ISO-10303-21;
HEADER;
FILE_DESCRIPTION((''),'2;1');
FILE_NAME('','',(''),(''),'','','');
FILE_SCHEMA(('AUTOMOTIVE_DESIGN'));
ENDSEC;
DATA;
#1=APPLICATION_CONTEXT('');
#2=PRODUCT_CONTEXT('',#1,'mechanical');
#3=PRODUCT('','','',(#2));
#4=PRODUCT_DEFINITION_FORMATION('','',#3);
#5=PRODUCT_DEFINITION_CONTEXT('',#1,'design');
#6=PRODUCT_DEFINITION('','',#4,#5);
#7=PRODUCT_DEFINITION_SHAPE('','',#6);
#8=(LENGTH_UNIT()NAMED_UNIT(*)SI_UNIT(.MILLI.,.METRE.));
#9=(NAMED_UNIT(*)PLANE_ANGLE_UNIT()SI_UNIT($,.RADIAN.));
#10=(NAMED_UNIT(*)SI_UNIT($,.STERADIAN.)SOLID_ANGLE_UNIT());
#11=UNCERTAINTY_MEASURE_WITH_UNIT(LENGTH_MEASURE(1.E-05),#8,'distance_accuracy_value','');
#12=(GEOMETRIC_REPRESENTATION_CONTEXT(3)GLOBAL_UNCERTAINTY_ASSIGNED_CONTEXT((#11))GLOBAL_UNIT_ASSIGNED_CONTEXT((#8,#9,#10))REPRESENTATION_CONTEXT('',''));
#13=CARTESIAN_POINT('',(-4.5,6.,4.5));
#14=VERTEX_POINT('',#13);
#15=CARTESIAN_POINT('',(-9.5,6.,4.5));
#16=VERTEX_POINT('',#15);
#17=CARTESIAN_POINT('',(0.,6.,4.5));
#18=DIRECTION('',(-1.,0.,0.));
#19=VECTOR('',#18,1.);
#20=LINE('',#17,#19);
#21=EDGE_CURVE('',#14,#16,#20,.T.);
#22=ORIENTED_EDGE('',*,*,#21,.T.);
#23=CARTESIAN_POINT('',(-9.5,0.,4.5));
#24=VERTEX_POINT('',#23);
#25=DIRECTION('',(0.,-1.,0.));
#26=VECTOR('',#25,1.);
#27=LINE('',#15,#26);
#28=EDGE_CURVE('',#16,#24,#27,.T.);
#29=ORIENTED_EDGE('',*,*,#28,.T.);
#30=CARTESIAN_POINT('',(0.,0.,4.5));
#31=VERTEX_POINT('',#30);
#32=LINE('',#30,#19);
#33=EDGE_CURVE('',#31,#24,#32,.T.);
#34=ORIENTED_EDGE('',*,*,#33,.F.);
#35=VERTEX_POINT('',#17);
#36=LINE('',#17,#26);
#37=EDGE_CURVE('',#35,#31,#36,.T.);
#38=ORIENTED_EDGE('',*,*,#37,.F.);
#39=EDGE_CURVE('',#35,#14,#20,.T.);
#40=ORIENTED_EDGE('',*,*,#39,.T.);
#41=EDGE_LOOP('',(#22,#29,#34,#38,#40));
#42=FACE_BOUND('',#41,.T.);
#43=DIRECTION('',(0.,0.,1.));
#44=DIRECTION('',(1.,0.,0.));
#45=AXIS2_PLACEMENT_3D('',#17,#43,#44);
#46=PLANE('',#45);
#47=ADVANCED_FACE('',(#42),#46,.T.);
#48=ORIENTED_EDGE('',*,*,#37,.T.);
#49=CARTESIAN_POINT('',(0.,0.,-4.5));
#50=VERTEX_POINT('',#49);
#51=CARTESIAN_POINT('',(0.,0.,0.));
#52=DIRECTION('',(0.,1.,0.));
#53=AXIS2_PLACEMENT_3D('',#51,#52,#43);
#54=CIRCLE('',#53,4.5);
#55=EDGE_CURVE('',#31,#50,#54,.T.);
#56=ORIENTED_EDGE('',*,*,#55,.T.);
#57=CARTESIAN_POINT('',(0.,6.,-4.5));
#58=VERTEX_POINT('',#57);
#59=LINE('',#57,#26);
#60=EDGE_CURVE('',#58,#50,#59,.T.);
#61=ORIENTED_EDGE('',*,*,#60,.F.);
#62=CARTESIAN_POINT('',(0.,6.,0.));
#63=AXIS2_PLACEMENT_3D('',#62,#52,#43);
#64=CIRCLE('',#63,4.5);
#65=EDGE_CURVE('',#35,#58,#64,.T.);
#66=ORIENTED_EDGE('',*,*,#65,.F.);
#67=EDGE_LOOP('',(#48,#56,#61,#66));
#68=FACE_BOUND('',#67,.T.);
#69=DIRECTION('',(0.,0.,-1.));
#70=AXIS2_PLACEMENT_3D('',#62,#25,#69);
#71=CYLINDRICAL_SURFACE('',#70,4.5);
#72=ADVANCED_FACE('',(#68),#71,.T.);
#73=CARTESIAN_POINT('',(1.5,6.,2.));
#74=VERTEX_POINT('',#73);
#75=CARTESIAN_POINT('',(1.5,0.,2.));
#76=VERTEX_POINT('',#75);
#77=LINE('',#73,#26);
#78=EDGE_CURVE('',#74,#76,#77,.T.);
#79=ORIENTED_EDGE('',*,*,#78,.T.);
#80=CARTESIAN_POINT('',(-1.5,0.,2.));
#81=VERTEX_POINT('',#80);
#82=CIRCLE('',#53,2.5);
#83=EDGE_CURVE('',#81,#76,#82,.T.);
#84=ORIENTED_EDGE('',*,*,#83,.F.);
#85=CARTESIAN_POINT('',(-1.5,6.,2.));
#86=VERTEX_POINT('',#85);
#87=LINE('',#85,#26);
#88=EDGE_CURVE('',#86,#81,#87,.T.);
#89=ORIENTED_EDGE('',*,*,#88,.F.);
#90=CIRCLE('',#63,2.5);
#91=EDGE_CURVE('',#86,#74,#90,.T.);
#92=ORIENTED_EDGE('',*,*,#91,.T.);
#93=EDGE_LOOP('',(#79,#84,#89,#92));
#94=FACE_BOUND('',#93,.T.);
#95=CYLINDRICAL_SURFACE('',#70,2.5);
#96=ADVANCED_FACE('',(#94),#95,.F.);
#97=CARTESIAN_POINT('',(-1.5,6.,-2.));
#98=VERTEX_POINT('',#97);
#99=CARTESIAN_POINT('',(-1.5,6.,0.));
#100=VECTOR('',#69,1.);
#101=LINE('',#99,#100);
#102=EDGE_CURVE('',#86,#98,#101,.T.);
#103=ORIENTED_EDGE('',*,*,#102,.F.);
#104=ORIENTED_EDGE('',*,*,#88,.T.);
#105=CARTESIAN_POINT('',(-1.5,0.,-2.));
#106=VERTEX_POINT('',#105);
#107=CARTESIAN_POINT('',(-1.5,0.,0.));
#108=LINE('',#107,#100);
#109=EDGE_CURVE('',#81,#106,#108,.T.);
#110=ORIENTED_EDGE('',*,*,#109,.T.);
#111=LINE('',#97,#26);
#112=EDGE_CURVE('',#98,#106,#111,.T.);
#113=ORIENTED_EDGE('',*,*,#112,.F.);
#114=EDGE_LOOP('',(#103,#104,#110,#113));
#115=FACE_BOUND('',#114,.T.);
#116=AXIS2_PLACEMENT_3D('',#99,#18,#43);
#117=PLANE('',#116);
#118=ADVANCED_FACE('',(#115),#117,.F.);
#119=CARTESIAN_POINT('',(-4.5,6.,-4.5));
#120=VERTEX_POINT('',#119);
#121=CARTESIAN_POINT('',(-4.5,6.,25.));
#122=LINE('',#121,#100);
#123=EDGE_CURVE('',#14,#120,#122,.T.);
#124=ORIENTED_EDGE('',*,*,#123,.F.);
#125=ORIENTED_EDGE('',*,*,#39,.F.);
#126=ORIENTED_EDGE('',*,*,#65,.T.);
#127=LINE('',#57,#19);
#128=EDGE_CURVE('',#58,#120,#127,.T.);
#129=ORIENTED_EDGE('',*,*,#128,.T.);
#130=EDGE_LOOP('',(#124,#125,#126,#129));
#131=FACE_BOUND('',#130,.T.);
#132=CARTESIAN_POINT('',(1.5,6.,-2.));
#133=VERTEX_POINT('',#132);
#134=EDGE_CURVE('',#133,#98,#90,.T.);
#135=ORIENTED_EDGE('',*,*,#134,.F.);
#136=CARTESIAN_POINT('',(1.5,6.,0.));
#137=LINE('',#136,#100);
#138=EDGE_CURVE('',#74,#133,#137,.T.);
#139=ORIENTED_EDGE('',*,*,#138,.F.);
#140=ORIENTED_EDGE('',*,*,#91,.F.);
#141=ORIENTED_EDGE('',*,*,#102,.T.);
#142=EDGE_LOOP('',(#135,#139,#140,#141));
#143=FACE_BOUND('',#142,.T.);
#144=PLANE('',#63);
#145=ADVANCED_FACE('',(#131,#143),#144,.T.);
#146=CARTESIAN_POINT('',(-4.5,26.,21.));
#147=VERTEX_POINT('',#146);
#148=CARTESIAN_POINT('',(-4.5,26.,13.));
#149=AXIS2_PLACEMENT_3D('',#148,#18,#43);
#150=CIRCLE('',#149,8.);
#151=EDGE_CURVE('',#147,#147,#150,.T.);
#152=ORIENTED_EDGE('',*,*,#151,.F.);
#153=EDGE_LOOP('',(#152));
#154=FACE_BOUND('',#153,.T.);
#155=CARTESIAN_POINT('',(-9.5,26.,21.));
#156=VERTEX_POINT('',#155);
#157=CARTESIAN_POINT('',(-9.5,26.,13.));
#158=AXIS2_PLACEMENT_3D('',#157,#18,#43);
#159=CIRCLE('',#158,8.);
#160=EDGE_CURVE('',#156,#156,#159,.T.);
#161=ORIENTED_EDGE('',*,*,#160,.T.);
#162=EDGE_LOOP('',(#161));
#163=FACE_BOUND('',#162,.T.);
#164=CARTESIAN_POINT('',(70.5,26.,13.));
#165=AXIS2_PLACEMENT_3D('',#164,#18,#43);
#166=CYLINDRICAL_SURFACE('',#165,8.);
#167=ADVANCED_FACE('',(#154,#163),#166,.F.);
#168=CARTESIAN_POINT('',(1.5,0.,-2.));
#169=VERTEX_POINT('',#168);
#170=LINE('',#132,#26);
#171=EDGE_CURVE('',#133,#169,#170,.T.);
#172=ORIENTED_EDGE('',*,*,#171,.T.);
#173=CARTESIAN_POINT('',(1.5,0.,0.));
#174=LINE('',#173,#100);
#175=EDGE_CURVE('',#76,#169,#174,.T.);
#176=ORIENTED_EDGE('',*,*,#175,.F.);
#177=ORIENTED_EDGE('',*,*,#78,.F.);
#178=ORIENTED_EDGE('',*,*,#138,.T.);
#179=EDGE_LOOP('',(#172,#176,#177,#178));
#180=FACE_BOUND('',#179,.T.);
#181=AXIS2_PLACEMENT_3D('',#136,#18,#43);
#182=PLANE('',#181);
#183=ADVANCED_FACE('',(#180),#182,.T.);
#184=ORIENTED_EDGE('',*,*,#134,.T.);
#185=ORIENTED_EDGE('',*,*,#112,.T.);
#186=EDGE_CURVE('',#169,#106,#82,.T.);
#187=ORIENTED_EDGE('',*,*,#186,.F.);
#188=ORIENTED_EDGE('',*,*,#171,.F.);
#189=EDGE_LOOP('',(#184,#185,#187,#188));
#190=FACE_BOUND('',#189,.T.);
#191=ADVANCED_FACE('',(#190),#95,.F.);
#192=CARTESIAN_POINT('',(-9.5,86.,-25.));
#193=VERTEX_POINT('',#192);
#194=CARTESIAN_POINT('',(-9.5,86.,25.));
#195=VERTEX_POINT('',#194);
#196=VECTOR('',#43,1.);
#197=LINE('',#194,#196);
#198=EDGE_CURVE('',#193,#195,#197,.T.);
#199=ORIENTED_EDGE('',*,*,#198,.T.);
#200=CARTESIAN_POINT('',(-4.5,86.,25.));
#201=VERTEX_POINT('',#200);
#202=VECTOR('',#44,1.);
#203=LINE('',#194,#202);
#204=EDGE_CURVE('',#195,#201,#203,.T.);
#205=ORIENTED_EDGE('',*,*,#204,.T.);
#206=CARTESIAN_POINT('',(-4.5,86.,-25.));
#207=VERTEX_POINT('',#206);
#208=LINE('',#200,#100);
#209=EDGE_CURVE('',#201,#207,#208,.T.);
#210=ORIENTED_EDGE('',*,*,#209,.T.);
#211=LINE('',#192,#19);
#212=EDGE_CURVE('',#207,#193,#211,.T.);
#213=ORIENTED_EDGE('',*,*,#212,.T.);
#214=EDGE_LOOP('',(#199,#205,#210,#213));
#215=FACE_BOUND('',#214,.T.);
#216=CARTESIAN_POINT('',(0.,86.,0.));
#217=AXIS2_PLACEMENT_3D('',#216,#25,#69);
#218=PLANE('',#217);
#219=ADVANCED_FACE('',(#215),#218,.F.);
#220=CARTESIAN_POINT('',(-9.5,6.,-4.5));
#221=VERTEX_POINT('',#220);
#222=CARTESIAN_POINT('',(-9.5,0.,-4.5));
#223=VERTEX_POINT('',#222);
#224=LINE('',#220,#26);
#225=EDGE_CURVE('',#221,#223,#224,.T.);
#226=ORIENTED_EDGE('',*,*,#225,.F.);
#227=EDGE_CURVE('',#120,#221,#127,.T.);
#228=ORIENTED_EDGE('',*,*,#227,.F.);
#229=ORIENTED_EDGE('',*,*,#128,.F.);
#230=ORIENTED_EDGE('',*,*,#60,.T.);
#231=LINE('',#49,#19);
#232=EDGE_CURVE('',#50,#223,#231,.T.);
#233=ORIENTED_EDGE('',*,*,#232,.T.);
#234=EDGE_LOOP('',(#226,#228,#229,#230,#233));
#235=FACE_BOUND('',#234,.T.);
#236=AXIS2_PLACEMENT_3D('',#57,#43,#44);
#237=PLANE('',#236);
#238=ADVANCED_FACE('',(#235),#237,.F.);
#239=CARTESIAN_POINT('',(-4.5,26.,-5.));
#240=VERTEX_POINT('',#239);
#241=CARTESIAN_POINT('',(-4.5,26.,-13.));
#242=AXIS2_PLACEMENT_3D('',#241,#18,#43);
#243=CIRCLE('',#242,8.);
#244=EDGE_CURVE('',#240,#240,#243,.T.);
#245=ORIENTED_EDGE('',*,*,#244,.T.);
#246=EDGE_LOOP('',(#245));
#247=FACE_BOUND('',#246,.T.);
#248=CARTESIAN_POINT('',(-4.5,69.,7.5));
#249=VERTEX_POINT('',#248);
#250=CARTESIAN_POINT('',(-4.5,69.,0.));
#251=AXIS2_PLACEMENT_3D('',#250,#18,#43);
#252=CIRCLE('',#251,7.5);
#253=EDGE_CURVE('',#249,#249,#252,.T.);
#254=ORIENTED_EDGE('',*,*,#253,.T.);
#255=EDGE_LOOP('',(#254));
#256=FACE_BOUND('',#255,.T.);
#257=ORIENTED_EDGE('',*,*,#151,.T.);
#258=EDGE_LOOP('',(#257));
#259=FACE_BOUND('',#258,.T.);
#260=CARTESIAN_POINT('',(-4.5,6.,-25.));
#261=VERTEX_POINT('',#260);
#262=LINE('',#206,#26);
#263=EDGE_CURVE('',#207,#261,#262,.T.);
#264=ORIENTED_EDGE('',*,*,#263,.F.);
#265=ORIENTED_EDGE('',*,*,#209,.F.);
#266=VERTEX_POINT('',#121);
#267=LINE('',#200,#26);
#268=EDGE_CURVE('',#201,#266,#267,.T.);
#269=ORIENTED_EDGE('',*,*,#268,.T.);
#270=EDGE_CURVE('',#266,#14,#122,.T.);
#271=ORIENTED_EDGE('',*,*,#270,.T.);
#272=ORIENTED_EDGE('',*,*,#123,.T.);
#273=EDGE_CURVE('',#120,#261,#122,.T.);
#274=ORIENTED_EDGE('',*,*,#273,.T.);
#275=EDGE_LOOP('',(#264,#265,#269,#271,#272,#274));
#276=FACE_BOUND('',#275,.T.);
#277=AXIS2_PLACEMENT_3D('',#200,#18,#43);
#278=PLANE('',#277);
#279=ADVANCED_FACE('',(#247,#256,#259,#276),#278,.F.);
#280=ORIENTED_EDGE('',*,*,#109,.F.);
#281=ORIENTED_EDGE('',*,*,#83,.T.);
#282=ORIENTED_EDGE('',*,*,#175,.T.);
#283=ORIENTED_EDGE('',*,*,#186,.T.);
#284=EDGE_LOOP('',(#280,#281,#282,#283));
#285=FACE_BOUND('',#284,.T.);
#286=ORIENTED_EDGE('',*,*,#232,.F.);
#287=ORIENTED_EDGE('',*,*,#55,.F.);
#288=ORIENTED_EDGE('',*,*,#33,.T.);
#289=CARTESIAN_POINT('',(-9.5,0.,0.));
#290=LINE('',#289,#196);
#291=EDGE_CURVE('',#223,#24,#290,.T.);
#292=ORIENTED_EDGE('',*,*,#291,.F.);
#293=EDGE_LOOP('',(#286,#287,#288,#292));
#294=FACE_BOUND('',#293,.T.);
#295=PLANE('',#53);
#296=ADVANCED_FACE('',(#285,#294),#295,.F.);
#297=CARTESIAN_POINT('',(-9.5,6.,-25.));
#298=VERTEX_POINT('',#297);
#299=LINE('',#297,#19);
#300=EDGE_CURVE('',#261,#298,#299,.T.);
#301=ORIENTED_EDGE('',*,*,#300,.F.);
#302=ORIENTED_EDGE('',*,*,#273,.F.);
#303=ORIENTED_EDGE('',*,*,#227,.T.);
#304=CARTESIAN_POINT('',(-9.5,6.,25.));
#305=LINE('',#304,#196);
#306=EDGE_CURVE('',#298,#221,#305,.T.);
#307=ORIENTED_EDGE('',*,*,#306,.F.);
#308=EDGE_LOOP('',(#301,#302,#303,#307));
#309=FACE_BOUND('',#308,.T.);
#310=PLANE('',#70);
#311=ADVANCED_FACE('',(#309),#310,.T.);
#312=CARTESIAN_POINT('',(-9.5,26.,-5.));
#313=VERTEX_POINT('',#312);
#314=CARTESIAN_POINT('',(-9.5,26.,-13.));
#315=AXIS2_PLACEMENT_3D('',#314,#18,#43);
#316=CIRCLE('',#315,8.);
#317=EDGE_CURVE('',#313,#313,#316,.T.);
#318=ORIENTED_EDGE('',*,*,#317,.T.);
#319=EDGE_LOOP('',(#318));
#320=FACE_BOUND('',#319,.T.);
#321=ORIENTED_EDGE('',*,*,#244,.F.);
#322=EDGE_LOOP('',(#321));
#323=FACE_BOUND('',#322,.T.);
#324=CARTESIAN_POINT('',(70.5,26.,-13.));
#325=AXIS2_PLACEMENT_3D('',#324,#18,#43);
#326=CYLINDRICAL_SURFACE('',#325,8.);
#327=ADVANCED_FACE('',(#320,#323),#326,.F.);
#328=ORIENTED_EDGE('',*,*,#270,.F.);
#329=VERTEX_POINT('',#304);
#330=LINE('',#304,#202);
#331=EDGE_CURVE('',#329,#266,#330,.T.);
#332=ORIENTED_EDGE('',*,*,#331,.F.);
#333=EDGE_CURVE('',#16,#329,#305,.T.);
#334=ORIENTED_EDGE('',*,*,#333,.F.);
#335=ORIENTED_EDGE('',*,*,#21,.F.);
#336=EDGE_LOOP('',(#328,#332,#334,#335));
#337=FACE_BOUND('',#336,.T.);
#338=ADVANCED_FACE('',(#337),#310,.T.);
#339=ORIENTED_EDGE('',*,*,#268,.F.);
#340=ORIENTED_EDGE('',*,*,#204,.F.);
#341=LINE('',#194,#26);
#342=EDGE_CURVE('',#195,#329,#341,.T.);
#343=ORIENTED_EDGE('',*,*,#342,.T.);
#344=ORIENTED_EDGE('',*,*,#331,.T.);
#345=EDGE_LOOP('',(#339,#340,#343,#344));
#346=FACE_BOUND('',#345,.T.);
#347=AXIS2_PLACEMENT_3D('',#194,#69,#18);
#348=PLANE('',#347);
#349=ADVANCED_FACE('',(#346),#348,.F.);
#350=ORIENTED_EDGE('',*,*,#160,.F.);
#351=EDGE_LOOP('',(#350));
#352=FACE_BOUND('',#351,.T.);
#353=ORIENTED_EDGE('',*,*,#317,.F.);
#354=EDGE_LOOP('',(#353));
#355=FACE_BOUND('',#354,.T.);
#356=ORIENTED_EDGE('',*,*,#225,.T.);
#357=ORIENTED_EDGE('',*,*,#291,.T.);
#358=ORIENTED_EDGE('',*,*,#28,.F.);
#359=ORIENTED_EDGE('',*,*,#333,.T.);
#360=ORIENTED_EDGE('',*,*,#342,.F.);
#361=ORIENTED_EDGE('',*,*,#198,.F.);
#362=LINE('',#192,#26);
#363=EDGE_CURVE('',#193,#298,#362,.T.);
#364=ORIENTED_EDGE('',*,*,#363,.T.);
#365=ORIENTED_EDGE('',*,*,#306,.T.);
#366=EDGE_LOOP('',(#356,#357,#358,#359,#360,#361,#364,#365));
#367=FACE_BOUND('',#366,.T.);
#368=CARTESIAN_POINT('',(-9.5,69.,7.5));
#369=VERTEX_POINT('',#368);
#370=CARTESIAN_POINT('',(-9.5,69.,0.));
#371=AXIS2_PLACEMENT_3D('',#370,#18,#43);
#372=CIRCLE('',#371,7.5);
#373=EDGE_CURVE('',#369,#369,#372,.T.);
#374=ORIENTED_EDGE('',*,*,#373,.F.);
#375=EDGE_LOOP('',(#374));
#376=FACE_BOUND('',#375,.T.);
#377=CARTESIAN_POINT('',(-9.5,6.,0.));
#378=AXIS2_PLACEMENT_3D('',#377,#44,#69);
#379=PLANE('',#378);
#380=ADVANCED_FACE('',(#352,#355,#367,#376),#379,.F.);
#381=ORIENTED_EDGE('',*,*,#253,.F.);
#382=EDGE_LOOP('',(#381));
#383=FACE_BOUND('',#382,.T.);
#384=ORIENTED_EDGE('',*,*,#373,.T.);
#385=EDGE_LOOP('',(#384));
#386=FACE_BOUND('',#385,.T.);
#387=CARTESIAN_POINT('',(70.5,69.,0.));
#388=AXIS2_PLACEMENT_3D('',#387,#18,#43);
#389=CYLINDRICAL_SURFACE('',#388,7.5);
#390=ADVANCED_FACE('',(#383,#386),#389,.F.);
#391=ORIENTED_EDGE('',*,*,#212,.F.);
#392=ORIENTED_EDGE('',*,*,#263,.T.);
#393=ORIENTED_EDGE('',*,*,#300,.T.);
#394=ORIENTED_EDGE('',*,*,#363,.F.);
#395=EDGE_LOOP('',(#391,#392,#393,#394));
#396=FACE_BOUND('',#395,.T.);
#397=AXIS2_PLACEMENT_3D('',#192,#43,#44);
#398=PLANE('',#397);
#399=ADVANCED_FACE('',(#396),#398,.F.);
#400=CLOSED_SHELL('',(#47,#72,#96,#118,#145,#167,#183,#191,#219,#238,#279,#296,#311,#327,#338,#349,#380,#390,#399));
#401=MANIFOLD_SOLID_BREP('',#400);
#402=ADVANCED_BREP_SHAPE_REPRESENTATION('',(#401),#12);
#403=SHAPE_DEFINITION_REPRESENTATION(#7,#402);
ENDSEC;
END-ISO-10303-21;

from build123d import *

# Parameters (mm, degrees)
SALIENTE_EXTRUIR1_DEPTH = 6
CROQUIS4_W              = 5
CROQUIS4_H              = 50
SALIENTE_EXTRUIR4_DEPTH = 80
CROQUIS5_R              = 8
CROQUIS5_R_2            = 7.5
CORTAR_EXTRUIR1_DEPTH   = 80


with BuildPart() as part:
    # Croquis1 → Saliente-Extruir1 (new body)
    with BuildSketch(Plane(origin=(0, 0, 0), x_dir=(1, 0, 0), z_dir=(0, 1, 0))):
        with BuildLine():
            Line((-9.5, 4.5), (-9.5, 0))
            Line((-9.5, 0), (-4.5, 0))
            ThreePointArc((-4.5, 0), (-3.181980515, 3.181980515), (0, 4.5))
            Line((0, 4.5), (-9.5, 4.5))
        make_face()
        with BuildLine():
            Line((-4.5, 0), (-9.5, 0))
            Line((-9.5, 0), (-9.5, -4.5))
            Line((-9.5, -4.5), (0, -4.5))
            ThreePointArc((0, -4.5), (-3.181980515, -3.181980515), (-4.5, 0))
        make_face()
        with BuildLine():
            ThreePointArc((0, 4.5), (-3.181980515, 3.181980515), (-4.5, 0))
            Line((-4.5, 0), (-2.5, 0))
            ThreePointArc((-2.5, 0), (-2.236067977, 1.118033989), (-1.5, 2))
            Line((-1.5, 2), (-1.5, 3.446675318))
            Line((-1.5, 3.446675318), (0, 3.446675318))
            Line((0, 3.446675318), (0, 4.5))
        make_face()
        with BuildLine():
            Line((-2.5, 0), (-4.5, 0))
            ThreePointArc((-4.5, 0), (-3.181980515, -3.181980515), (0, -4.5))
            Line((0, -4.5), (0, -3.446675318))
            Line((0, -3.446675318), (-1.5, -3.446675318))
            Line((-1.5, -3.446675318), (-1.5, -2))
            ThreePointArc((-1.5, -2), (-2.236067977, -1.118033989), (-2.5, 0))
        make_face()
        with BuildLine():
            ThreePointArc((-1.5, 2), (-2.236067977, 1.118033989), (-2.5, 0))
            Line((-2.5, 0), (-1.5, 0))
            Line((-1.5, 0), (-1.5, 2))
        make_face()
        with BuildLine():
            Line((-1.5, 0), (-2.5, 0))
            ThreePointArc((-2.5, 0), (-2.236067977, -1.118033989), (-1.5, -2))
            Line((-1.5, -2), (-1.5, 0))
        make_face()
        with BuildLine():
            Line((-1.5, 3.446675318), (-1.5, 2))
            ThreePointArc((-1.5, 2), (-0.790569415, 2.371708245), (0, 2.5))
            Line((0, 2.5), (0, 3.446675318))
            Line((0, 3.446675318), (-1.5, 3.446675318))
        make_face()
        with BuildLine():
            Line((1.5, 3.446675318), (0, 3.446675318))
            Line((0, 3.446675318), (0, 2.5))
            ThreePointArc((0, 2.5), (0.790569415, 2.371708245), (1.5, 2))
            Line((1.5, 2), (1.5, 3.446675318))
        make_face()
        with BuildLine():
            ThreePointArc((0, -2.5), (-0.790569415, -2.371708245), (-1.5, -2))
            Line((-1.5, -2), (-1.5, -3.446675318))
            Line((-1.5, -3.446675318), (0, -3.446675318))
            Line((0, -3.446675318), (0, -2.5))
        make_face()
        with BuildLine():
            Line((0, -2.5), (0, -3.446675318))
            Line((0, -3.446675318), (1.5, -3.446675318))
            Line((1.5, -3.446675318), (1.5, -2))
            ThreePointArc((1.5, -2), (0.790569415, -2.371708245), (0, -2.5))
        make_face()
        with BuildLine():
            ThreePointArc((1.5, -2), (2.236067977, -1.118033989), (2.5, 0))
            Line((2.5, 0), (1.5, 0))
            Line((1.5, 0), (1.5, -2))
        make_face()
        with BuildLine():
            Line((1.5, 0), (2.5, 0))
            ThreePointArc((2.5, 0), (2.236067977, 1.118033989), (1.5, 2))
            Line((1.5, 2), (1.5, 0))
        make_face()
        with BuildLine():
            ThreePointArc((4.5, 0), (3.181980515, 3.181980515), (0, 4.5))
            Line((0, 4.5), (0, 3.446675318))
            Line((0, 3.446675318), (1.5, 3.446675318))
            Line((1.5, 3.446675318), (1.5, 2))
            ThreePointArc((1.5, 2), (2.236067977, 1.118033989), (2.5, 0))
            Line((2.5, 0), (4.5, 0))
        make_face()
        with BuildLine():
            Line((0, -3.446675318), (0, -4.5))
            ThreePointArc((0, -4.5), (3.181980515, -3.181980515), (4.5, 0))
            Line((4.5, 0), (2.5, 0))
            ThreePointArc((2.5, 0), (2.236067977, -1.118033989), (1.5, -2))
            Line((1.5, -2), (1.5, -3.446675318))
            Line((1.5, -3.446675318), (0, -3.446675318))
        make_face()
    extrude(amount=SALIENTE_EXTRUIR1_DEPTH)

    # Croquis4 → Saliente-Extruir4 (add)
    with BuildSketch(Plane(origin=(0, 6, 0), x_dir=(1, 0, 0), z_dir=(0, 1, 0))):
        with Locations((-7, 0)):
            Rectangle(CROQUIS4_W, CROQUIS4_H)
    extrude(amount=SALIENTE_EXTRUIR4_DEPTH)

    # Croquis5 → Cortar-Extruir1 (cut)
    with BuildSketch(Plane.ZY.offset(9.5)):
        with Locations((-13, 26)):
            Circle(CROQUIS5_R)
        with Locations((13, 26)):
            Circle(CROQUIS5_R)
        with Locations((0, 69)):
            Circle(CROQUIS5_R_2)
    extrude(amount=-CORTAR_EXTRUIR1_DEPTH, mode=Mode.SUBTRACT)


solid = part.part
